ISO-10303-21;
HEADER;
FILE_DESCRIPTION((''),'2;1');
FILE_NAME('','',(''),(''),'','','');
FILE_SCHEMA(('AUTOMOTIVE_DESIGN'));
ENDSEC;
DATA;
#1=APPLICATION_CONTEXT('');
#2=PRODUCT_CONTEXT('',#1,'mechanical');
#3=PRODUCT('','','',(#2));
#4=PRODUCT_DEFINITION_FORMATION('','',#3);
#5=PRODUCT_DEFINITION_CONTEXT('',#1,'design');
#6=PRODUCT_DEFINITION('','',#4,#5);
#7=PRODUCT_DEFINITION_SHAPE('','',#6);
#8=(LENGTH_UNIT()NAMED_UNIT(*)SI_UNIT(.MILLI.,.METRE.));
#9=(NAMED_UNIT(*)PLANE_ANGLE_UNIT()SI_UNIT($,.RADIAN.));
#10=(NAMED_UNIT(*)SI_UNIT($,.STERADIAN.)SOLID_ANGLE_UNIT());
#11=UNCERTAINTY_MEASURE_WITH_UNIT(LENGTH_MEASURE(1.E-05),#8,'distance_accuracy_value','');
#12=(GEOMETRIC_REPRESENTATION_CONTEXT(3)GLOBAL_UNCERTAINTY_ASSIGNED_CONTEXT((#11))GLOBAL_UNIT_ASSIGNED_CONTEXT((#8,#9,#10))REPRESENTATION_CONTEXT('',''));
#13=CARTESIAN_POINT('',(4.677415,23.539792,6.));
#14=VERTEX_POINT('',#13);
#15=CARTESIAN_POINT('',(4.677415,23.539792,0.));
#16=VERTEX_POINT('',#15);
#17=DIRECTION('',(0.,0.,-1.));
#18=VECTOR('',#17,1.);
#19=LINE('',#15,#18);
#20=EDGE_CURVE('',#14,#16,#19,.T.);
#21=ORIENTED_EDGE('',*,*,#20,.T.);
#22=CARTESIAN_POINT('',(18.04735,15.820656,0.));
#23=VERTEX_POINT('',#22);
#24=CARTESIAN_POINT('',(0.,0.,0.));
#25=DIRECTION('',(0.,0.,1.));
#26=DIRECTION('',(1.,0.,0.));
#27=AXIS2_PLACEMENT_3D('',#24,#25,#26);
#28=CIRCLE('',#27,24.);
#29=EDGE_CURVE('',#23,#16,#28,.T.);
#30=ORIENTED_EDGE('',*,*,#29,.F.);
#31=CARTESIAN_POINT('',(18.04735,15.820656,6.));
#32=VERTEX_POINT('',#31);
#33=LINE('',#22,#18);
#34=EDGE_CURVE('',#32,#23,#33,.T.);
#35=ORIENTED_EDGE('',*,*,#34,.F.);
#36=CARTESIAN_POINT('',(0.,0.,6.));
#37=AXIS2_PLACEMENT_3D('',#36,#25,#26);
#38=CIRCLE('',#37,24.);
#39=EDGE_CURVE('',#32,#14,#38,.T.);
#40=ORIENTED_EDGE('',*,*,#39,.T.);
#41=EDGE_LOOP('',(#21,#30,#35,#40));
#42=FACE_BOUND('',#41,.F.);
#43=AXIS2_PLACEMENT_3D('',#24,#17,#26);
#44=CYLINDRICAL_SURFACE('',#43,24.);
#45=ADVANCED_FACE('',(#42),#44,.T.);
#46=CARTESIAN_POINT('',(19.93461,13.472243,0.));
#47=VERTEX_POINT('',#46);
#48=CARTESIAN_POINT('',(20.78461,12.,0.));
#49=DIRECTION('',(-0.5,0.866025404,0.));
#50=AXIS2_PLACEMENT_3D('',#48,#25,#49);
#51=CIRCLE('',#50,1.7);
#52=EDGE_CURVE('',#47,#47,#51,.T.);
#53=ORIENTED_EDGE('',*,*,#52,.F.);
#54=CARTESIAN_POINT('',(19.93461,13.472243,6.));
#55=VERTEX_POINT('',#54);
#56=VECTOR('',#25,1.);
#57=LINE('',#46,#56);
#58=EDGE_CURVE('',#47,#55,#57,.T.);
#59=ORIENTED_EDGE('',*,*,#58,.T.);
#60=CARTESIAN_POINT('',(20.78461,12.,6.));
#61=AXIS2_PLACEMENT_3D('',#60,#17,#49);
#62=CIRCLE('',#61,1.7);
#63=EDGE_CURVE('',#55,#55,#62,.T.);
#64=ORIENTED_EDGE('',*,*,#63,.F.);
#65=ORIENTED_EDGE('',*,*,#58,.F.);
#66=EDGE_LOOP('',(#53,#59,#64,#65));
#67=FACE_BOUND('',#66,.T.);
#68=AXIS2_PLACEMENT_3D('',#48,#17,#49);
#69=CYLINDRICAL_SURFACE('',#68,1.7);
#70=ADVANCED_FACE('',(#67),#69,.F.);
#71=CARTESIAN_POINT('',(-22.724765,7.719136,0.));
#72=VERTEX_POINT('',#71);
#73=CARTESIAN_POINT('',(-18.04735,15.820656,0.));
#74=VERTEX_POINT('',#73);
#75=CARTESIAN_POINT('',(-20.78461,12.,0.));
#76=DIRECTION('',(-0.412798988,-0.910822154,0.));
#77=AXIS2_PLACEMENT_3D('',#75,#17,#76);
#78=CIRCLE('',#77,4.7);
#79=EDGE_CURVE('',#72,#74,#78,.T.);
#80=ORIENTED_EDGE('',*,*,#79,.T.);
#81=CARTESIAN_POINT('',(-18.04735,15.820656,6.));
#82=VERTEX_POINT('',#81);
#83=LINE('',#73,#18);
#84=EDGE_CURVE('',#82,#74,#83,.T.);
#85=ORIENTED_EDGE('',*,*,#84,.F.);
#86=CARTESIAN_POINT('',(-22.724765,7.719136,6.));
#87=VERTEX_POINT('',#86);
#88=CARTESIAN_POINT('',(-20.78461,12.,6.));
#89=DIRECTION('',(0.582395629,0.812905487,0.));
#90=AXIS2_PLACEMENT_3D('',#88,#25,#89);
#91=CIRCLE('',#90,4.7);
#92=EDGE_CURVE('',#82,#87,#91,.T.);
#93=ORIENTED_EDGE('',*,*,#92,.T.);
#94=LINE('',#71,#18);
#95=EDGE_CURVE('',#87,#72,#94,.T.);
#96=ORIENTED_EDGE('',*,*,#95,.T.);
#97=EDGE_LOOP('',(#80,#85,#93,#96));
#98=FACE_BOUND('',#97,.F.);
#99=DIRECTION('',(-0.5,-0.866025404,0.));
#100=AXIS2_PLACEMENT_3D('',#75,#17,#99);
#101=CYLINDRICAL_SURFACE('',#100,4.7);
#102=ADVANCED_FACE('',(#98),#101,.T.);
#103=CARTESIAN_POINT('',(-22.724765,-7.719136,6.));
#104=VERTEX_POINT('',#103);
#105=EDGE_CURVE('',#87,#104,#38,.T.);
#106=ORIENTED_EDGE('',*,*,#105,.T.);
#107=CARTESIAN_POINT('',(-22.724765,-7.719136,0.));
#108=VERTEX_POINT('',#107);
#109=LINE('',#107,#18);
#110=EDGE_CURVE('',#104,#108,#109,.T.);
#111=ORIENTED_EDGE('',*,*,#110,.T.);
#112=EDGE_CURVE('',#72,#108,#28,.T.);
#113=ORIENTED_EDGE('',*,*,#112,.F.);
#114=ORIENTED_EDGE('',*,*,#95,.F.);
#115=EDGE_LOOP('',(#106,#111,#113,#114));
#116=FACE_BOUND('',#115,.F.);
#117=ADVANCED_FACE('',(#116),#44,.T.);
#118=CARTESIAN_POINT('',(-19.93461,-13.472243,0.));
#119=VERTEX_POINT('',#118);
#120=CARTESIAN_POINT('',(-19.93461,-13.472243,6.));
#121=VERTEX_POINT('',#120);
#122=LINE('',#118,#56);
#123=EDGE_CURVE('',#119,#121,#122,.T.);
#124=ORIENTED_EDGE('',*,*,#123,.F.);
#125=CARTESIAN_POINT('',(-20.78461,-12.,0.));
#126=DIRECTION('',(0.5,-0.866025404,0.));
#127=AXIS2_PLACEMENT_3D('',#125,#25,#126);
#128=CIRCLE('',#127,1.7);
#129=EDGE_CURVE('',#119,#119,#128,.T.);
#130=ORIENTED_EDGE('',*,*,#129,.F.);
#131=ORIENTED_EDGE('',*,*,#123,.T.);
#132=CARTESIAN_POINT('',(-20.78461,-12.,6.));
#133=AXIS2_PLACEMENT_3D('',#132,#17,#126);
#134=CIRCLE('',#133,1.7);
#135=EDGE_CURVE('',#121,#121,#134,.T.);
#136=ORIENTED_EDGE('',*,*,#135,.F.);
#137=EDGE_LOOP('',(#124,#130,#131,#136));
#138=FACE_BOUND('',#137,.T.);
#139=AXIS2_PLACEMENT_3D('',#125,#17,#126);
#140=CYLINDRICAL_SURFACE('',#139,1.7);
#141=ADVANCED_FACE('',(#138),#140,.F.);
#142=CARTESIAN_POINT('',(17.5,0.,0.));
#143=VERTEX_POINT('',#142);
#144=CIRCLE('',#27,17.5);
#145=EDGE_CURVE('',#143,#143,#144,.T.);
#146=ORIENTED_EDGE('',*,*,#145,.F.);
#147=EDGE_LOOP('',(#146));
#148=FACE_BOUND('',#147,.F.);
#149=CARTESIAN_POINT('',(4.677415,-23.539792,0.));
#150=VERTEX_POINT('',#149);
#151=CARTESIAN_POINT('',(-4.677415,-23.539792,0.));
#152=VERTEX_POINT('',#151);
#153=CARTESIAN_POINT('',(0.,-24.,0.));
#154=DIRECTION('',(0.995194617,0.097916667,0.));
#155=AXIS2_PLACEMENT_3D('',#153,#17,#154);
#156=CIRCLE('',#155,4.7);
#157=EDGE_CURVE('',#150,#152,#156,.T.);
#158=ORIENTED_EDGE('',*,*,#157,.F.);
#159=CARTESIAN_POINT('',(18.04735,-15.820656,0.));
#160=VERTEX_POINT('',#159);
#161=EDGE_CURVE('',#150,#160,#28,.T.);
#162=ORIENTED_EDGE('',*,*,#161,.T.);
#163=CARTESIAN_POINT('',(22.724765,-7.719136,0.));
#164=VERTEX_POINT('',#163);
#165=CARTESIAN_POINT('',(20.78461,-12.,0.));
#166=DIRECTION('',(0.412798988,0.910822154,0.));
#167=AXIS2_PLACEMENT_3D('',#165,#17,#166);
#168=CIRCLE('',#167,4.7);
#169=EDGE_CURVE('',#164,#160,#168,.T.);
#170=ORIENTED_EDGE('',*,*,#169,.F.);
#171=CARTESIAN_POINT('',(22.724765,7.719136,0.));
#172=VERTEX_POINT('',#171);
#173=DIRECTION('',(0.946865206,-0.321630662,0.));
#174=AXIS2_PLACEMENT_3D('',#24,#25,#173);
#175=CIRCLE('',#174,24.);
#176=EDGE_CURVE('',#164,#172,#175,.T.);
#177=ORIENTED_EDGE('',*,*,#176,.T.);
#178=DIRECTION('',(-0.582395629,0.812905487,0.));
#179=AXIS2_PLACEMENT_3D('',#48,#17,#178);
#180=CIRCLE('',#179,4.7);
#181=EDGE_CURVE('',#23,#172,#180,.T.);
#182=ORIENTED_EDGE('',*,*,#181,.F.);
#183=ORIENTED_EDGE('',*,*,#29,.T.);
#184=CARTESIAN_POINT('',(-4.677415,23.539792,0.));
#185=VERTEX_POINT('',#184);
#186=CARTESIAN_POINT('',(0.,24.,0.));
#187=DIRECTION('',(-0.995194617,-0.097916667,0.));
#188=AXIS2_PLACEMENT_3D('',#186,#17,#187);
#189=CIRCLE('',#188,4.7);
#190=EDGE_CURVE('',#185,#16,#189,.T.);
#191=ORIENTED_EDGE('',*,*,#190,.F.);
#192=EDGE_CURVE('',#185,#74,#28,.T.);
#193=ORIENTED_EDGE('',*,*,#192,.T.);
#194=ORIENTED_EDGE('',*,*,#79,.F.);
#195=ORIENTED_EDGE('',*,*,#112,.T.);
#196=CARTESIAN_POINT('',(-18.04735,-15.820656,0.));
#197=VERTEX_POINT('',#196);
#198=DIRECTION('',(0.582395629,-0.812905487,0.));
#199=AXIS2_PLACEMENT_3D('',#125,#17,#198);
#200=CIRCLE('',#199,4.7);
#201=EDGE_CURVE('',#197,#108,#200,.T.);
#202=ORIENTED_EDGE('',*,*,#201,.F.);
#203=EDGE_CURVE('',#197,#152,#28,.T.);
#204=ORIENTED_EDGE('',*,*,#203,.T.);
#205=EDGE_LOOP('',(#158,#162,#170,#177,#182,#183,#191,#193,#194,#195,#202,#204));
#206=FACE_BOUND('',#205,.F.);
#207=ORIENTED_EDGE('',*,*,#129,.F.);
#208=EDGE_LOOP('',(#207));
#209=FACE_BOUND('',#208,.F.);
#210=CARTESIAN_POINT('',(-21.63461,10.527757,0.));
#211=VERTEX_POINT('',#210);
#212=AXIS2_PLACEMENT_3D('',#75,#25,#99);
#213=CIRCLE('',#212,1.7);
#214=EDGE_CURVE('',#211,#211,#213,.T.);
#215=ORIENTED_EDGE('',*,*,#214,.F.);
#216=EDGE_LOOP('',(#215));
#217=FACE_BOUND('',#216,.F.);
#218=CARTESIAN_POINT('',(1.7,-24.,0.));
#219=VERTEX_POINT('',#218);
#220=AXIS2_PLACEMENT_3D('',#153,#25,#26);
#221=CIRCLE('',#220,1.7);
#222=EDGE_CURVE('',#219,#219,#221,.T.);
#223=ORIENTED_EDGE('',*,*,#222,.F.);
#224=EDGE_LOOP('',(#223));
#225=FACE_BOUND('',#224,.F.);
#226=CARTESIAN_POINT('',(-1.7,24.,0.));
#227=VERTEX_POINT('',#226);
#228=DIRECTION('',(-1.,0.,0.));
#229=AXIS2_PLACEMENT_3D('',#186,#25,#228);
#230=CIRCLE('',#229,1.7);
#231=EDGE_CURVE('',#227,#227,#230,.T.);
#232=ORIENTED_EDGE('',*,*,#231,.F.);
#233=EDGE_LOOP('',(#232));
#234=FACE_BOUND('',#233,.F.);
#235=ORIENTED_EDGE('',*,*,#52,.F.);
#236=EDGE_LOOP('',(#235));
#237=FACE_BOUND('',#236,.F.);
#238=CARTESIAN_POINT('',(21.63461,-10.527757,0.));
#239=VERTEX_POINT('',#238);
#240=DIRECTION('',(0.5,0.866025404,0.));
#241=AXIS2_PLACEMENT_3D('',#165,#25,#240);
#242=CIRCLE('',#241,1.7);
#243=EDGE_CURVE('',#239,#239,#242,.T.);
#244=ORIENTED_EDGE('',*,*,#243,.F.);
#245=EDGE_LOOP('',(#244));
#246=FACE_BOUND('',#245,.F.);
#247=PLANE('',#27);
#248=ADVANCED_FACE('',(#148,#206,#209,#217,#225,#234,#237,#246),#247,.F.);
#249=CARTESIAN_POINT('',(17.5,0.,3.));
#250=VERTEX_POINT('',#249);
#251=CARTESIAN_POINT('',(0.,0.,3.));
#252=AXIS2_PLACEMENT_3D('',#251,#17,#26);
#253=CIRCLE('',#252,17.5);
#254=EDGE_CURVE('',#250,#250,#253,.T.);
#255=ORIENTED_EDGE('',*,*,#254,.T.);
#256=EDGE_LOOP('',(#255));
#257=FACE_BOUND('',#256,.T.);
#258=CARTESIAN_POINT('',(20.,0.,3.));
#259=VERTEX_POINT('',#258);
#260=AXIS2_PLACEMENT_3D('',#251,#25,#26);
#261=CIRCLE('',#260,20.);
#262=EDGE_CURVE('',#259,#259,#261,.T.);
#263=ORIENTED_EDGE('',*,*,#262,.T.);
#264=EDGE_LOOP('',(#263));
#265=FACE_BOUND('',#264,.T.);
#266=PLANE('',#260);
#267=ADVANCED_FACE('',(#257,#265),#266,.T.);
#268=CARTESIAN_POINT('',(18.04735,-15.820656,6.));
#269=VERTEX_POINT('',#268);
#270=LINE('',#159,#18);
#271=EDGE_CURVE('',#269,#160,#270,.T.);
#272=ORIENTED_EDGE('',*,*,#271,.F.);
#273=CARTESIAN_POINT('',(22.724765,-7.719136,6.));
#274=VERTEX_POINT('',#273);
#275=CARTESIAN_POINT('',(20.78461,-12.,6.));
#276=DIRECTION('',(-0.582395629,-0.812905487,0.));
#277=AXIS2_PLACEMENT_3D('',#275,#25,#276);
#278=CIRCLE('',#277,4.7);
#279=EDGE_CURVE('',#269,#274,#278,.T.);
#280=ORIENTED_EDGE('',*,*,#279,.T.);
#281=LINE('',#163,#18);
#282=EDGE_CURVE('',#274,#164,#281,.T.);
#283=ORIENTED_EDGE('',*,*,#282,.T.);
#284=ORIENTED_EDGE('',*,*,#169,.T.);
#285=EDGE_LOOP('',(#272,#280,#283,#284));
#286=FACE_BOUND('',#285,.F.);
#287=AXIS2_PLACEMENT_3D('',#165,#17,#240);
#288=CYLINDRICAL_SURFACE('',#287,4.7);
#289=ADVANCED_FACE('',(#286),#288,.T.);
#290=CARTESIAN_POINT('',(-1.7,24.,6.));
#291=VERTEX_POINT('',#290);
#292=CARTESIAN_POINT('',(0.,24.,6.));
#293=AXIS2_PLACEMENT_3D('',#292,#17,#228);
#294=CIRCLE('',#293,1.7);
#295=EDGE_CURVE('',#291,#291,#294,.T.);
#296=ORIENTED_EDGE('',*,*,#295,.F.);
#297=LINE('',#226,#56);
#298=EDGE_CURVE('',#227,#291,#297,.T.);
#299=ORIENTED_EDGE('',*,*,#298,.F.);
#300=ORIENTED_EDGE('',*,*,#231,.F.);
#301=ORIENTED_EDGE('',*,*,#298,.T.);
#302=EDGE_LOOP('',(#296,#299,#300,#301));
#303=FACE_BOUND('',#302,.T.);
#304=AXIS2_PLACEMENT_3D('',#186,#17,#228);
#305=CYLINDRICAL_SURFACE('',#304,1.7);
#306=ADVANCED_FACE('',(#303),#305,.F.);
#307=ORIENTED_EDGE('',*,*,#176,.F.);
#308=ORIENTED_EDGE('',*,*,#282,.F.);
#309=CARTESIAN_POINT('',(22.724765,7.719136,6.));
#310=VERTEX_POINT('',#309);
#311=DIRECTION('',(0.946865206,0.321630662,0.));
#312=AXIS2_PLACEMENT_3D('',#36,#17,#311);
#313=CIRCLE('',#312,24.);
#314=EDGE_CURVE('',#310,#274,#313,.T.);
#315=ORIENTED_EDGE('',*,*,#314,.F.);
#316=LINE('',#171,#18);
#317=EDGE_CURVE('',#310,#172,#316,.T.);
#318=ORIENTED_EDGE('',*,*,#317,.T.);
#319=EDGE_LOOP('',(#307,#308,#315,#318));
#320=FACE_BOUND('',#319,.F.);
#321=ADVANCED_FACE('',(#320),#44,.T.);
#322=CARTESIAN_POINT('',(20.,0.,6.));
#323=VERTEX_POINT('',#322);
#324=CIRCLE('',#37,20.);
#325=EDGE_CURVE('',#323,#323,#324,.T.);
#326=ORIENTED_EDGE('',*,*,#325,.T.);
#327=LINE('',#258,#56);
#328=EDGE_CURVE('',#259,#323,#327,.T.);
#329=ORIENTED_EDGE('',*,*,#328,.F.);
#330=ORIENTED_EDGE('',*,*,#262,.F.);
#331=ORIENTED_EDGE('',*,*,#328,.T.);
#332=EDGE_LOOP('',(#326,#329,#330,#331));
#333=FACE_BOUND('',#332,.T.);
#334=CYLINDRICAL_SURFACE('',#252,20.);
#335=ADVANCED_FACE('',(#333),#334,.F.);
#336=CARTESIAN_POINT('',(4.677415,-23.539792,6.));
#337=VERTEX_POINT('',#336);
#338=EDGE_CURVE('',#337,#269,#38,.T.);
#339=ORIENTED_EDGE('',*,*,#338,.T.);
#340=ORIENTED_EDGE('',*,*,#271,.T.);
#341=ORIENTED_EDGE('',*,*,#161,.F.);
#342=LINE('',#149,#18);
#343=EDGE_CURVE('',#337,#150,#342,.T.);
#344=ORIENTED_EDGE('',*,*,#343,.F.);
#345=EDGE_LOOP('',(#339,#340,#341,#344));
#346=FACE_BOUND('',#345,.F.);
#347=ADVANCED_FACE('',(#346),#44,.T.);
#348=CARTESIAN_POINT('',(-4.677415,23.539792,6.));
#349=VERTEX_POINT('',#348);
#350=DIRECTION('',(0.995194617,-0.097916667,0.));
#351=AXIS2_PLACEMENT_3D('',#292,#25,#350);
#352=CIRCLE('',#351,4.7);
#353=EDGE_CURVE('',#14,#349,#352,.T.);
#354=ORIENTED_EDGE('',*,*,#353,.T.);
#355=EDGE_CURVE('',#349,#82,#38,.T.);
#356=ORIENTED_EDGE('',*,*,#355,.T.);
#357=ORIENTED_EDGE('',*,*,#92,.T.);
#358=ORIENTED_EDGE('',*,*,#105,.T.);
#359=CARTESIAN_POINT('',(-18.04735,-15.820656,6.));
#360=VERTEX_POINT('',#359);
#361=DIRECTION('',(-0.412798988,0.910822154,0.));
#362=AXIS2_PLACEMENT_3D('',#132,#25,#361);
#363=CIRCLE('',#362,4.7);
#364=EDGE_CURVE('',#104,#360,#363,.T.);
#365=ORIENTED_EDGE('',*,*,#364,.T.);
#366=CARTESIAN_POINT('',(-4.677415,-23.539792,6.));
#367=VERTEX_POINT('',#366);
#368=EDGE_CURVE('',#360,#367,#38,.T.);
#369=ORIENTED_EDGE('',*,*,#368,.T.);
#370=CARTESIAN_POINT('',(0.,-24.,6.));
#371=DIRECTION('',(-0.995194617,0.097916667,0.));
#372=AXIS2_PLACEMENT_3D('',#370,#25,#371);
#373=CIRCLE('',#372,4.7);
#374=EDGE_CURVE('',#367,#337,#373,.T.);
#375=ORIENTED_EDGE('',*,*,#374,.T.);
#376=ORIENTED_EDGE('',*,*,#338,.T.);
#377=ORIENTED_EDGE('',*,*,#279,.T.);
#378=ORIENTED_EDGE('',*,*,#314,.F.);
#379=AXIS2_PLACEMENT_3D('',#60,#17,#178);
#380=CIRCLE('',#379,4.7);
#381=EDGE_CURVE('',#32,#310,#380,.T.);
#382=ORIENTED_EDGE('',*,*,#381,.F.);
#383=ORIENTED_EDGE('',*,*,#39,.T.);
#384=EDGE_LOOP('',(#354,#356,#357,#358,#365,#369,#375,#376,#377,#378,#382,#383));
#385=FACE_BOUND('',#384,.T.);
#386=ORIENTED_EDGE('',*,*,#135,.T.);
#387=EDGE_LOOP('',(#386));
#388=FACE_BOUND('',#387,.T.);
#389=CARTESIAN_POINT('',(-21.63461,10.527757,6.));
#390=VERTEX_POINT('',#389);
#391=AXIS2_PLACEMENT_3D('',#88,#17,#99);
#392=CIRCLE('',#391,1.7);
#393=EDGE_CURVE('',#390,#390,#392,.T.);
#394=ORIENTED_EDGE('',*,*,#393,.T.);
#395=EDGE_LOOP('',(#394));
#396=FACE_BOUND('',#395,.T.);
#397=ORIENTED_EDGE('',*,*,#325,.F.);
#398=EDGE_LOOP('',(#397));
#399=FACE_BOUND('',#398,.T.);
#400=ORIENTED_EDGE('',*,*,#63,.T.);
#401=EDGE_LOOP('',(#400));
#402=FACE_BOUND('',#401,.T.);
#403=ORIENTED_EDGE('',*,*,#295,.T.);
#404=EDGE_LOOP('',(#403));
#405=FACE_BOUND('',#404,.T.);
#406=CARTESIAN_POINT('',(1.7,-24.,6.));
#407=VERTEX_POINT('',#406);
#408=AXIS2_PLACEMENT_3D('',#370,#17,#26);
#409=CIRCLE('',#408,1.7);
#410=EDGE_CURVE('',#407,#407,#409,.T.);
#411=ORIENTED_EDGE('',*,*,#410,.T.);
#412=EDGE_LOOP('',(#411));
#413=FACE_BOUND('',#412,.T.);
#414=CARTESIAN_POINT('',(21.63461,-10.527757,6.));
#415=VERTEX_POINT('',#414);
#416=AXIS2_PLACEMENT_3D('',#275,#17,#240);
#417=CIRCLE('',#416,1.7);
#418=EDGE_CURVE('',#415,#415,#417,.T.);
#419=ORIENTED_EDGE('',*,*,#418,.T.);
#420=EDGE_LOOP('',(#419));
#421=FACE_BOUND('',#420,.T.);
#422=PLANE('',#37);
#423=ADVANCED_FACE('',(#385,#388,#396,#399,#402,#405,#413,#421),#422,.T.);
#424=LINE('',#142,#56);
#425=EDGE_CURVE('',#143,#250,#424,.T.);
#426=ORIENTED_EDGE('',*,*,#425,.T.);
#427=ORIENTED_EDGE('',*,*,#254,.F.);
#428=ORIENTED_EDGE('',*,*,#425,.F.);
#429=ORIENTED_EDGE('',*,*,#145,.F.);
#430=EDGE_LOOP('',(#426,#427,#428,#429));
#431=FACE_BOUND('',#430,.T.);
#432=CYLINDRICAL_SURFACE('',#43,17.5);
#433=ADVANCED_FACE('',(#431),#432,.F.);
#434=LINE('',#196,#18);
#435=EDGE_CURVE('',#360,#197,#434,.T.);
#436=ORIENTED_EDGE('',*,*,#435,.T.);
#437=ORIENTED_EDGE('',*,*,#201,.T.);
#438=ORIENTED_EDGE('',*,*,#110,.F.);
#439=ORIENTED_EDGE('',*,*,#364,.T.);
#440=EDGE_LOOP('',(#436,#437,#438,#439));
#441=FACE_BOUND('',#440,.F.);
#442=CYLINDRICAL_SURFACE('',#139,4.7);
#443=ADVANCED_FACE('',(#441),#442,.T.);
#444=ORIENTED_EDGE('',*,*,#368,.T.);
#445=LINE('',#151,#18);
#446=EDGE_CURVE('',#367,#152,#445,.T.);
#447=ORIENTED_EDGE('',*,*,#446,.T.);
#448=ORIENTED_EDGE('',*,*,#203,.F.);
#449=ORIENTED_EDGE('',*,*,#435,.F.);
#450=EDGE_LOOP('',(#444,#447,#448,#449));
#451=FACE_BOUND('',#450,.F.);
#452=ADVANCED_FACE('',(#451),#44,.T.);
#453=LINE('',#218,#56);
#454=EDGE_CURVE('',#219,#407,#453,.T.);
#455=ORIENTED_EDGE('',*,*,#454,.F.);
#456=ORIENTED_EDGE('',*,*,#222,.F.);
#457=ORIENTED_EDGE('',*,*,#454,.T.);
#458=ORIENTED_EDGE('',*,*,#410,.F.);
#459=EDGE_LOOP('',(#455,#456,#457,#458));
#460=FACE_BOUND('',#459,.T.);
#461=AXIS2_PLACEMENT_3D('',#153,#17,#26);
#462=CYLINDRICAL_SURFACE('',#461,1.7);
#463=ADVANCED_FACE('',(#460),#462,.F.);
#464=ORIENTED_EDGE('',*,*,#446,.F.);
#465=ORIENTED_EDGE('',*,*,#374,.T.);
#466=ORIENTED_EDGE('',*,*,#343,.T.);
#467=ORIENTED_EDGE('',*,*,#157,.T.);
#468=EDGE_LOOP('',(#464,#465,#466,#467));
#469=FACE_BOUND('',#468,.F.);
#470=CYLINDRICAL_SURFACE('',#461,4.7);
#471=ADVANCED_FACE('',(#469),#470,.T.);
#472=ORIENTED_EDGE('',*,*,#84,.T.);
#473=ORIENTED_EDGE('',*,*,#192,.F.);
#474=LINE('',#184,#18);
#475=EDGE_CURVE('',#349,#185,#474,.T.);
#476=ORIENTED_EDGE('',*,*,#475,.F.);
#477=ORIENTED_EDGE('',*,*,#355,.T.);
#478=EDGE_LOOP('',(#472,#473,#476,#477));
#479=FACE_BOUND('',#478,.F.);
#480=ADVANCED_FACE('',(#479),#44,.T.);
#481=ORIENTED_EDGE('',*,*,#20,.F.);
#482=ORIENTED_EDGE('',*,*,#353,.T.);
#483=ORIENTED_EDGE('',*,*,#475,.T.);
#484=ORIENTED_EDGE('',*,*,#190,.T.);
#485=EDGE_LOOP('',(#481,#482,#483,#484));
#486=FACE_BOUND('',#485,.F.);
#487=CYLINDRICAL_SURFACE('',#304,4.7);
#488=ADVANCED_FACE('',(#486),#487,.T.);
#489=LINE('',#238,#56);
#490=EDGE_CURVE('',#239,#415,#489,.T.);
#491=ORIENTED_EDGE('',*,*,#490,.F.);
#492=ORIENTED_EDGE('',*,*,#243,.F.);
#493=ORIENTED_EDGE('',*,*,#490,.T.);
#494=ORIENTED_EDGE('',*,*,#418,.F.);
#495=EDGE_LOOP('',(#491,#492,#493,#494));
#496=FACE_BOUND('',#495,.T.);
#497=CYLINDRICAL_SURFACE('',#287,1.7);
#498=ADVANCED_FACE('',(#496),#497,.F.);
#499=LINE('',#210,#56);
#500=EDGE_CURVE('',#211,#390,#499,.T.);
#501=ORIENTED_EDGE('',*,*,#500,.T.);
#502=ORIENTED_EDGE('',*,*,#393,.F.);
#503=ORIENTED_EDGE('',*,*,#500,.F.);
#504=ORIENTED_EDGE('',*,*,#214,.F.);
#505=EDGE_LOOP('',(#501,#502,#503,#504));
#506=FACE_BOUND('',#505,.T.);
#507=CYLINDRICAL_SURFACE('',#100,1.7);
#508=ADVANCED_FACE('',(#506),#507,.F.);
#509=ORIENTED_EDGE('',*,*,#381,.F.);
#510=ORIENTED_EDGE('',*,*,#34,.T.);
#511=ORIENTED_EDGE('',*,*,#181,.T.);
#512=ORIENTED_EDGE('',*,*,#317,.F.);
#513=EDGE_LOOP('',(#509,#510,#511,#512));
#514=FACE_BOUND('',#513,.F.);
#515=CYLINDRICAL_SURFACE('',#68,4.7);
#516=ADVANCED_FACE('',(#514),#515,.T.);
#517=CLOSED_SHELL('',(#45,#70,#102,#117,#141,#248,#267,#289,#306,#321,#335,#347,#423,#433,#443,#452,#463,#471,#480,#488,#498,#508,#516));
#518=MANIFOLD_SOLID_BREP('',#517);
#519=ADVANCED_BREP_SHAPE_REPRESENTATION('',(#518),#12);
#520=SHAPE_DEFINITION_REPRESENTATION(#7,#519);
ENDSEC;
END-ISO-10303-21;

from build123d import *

# Parameters (mm, degrees)
CYLINDER002_R     = 17.5
CYLINDER002_DEPTH = 10
CYLINDER_R        = 20
CYLINDER_DEPTH    = 3
CYLINDER003_R     = 1.7
CYLINDER003_DEPTH = 10
ARRAY001_COUNT    = 6
CYLINDER001_R     = 24
CYLINDER001_DEPTH = 6
CYLINDER004_R     = 4.7
CYLINDER004_DEPTH = 6
ARRAY_COUNT       = 6


with BuildPart() as cylinder002:
    # Cylinder002 → Cylinder002 (new body)
    with BuildSketch(Plane.XY):
        Circle(CYLINDER002_R)
    extrude(amount=CYLINDER002_DEPTH)


with BuildPart() as cylinder:
    # Cylinder → Cylinder (new body)
    with BuildSketch(Plane.XY.offset(3)):
        Circle(CYLINDER_R)
    extrude(amount=CYLINDER_DEPTH)


with BuildPart() as fusion001:
    # Cylinder003 → Cylinder003 (new body)
    with BuildSketch(Plane(origin=(0, -24, 0), x_dir=(1, 0, 0), z_dir=(0, 0, 1))):
        Circle(CYLINDER003_R)
    extrude(amount=CYLINDER003_DEPTH)

    # Array001: Fusion001 ×6 about axis
    array001_axis = Axis((0, 0, 0), (0, 0, 1))


with BuildPart() as fusion001_1:
    add(fusion001.part)
    for i in range(1, ARRAY001_COUNT):
        add(fusion001.part.rotate(array001_axis, i * 360 / ARRAY001_COUNT))

    # Fusion001: union Cylinder002, Cylinder
    add(cylinder002.part)
    add(cylinder.part)


with BuildPart() as cylinder001:
    # Cylinder001 → Cylinder001 (new body)
    with BuildSketch(Plane.XY):
        Circle(CYLINDER001_R)
    extrude(amount=CYLINDER001_DEPTH)


with BuildPart() as cut:
    # Cylinder004 → Cylinder004 (new body)
    with BuildSketch(Plane(origin=(0, -24, 0), x_dir=(1, 0, 0), z_dir=(0, 0, 1))):
        Circle(CYLINDER004_R)
    extrude(amount=CYLINDER004_DEPTH)

    # Array: Cut ×6 about axis
    array_axis = Axis((0, 0, 0), (0, 0, 1))


with BuildPart() as cut_1:
    add(cut.part)
    for i in range(1, ARRAY_COUNT):
        add(cut.part.rotate(array_axis, i * 360 / ARRAY_COUNT))

    # Fusion: union Cylinder001
    add(cylinder001.part)

    # Cut: cut Fusion001
    add(fusion001_1.part, mode=Mode.SUBTRACT)


solid = cut_1.part
